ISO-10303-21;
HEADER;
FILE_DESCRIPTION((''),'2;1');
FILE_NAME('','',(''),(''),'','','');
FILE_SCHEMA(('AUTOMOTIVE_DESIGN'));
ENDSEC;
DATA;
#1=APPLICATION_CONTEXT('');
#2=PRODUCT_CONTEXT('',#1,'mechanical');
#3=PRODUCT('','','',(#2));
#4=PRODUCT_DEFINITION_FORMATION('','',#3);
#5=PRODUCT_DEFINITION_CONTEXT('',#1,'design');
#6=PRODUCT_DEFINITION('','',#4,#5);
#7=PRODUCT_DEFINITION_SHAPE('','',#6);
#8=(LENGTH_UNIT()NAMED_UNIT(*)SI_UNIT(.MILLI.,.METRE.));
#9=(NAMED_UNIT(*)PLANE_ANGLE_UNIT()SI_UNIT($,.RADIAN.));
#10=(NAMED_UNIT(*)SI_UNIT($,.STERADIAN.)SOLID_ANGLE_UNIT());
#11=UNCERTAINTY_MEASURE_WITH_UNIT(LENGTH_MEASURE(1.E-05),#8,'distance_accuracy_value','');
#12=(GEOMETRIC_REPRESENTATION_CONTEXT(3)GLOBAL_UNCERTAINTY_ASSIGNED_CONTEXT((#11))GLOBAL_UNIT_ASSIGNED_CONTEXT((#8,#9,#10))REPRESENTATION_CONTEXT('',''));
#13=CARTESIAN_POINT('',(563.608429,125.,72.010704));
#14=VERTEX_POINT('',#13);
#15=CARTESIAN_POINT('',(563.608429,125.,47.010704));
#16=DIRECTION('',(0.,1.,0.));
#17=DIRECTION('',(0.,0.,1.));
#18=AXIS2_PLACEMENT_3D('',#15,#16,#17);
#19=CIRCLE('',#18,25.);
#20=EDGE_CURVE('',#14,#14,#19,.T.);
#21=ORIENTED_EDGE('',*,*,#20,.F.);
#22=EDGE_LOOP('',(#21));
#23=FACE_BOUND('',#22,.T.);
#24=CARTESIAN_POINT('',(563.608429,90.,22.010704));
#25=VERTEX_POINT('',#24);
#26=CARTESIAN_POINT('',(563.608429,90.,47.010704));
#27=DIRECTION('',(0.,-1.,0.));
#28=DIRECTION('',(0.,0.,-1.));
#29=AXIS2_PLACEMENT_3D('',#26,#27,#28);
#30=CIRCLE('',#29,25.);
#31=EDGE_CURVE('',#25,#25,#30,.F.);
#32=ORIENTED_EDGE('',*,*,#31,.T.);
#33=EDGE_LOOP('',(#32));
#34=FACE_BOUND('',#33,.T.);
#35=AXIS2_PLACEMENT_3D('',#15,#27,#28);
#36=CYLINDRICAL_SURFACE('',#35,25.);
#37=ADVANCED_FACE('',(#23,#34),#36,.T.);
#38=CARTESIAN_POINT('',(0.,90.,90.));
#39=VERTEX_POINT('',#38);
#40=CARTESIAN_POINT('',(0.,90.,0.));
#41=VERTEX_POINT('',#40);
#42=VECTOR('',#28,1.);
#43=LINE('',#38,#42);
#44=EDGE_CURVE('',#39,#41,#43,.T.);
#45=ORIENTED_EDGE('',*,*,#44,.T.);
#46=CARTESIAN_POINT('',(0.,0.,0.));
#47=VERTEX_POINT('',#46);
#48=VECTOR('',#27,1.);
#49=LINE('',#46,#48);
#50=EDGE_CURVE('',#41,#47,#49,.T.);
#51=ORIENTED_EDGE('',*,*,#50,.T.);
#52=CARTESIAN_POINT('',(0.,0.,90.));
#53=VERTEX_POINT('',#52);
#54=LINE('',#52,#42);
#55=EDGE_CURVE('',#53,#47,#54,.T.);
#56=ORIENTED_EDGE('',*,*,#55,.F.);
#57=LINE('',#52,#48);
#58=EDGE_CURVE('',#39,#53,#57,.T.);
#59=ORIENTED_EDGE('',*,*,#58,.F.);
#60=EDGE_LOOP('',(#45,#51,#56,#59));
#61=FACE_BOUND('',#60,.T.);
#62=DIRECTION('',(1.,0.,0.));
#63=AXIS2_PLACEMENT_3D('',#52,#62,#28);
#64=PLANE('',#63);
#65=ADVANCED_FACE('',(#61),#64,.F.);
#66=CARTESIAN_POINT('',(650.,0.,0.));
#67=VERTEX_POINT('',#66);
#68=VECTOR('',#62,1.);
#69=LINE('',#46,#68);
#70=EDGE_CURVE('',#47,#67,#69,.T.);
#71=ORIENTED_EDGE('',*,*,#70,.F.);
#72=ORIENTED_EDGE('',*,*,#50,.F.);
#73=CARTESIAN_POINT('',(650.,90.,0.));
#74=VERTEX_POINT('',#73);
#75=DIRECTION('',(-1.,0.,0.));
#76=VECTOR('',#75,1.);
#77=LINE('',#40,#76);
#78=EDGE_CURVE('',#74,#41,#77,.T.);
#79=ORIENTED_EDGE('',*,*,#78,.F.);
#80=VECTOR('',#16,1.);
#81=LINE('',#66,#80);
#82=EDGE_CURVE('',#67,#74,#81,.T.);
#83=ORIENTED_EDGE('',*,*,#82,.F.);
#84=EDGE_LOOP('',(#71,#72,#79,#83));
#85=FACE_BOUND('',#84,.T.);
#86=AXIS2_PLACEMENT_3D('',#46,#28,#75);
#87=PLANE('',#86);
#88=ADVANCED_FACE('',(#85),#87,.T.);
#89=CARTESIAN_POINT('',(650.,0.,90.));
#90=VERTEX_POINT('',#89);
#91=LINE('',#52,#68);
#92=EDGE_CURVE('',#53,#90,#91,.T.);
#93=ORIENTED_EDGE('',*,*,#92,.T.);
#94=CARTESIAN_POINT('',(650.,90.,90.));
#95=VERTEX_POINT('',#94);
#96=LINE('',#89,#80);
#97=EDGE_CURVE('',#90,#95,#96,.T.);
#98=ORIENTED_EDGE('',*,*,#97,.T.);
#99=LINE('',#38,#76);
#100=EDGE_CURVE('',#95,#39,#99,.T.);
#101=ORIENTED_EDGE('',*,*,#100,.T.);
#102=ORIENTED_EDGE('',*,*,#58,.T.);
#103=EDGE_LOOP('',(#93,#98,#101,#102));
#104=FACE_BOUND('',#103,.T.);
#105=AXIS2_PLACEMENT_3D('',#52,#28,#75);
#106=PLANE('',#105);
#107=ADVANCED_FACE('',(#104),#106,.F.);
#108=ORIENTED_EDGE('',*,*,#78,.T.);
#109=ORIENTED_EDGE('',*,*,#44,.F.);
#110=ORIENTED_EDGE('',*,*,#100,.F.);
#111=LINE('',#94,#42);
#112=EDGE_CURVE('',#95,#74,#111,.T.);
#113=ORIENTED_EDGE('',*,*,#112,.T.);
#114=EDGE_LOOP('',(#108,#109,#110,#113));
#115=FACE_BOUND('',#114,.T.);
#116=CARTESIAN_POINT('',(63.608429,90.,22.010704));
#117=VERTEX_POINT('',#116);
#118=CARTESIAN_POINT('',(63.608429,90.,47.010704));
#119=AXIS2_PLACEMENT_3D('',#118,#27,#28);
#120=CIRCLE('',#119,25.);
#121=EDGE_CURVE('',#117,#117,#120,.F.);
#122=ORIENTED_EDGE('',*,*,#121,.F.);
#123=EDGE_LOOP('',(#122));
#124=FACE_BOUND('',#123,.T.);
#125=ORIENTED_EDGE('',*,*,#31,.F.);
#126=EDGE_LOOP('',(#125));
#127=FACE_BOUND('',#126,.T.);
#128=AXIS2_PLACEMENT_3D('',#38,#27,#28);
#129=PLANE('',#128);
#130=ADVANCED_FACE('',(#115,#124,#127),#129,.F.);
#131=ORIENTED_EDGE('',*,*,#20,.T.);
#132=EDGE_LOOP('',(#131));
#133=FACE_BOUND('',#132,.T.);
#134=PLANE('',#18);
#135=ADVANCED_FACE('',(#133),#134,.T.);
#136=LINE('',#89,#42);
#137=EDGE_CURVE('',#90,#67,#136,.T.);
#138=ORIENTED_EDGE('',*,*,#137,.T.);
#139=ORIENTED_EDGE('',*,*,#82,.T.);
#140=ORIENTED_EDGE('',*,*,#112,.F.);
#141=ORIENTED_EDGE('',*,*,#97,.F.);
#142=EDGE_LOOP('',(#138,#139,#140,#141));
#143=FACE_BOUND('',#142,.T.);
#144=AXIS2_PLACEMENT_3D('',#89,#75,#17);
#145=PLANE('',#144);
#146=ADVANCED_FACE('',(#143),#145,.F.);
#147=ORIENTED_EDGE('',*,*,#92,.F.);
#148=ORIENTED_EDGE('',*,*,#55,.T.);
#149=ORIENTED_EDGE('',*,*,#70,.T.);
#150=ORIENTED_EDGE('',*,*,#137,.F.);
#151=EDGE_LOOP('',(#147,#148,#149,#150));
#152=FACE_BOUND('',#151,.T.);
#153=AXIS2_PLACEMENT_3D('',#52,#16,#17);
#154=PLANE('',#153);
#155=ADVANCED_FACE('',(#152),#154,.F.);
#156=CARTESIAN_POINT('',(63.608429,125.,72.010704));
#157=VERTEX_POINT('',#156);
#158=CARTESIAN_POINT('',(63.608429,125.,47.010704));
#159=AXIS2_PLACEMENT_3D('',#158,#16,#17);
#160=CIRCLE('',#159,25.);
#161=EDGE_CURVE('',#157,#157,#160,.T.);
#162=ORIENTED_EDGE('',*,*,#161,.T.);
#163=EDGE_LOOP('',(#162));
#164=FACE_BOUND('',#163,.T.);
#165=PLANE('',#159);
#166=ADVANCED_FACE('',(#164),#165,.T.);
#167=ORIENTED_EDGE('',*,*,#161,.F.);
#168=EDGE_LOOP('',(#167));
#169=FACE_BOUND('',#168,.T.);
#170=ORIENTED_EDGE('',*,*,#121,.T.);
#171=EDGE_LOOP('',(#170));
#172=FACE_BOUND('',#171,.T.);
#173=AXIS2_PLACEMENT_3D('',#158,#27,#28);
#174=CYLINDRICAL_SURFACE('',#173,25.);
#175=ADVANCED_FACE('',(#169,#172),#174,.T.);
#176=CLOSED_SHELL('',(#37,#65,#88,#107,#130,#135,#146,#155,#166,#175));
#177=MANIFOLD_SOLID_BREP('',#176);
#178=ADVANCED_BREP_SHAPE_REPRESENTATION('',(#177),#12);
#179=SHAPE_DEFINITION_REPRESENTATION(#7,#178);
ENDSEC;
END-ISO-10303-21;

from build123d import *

# Parameters (mm, degrees)
SKETCH1_W           = 650
SKETCH1_H           = 90
BOSS_EXTRUDE1_DEPTH = 90
SKETCH2_R           = 25
BOSS_EXTRUDE2_DEPTH = 35


with BuildPart() as part:
    # Sketch1 → Boss-Extrude1 (new body)
    with BuildSketch(Plane.XY):
        with Locations((325, 45)):
            Rectangle(SKETCH1_W, SKETCH1_H)
    extrude(amount=BOSS_EXTRUDE1_DEPTH)

    # Sketch2 → Boss-Extrude2 (add)
    with BuildSketch(Plane(origin=(0, 90, 0), x_dir=(1, 0, 0), z_dir=(0, 1, 0))):
        with Locations(Location((63.60842931, -47.01070439, 0), (0, 0, 90))):  # turned: the seam where the file's is
            Circle(SKETCH2_R)
        with Locations(Location((563.60842931, -47.01070439, 0), (0, 0, 90))):  # turned: the seam where the file's is
            Circle(SKETCH2_R)
    extrude(amount=BOSS_EXTRUDE2_DEPTH)


solid = part.part
